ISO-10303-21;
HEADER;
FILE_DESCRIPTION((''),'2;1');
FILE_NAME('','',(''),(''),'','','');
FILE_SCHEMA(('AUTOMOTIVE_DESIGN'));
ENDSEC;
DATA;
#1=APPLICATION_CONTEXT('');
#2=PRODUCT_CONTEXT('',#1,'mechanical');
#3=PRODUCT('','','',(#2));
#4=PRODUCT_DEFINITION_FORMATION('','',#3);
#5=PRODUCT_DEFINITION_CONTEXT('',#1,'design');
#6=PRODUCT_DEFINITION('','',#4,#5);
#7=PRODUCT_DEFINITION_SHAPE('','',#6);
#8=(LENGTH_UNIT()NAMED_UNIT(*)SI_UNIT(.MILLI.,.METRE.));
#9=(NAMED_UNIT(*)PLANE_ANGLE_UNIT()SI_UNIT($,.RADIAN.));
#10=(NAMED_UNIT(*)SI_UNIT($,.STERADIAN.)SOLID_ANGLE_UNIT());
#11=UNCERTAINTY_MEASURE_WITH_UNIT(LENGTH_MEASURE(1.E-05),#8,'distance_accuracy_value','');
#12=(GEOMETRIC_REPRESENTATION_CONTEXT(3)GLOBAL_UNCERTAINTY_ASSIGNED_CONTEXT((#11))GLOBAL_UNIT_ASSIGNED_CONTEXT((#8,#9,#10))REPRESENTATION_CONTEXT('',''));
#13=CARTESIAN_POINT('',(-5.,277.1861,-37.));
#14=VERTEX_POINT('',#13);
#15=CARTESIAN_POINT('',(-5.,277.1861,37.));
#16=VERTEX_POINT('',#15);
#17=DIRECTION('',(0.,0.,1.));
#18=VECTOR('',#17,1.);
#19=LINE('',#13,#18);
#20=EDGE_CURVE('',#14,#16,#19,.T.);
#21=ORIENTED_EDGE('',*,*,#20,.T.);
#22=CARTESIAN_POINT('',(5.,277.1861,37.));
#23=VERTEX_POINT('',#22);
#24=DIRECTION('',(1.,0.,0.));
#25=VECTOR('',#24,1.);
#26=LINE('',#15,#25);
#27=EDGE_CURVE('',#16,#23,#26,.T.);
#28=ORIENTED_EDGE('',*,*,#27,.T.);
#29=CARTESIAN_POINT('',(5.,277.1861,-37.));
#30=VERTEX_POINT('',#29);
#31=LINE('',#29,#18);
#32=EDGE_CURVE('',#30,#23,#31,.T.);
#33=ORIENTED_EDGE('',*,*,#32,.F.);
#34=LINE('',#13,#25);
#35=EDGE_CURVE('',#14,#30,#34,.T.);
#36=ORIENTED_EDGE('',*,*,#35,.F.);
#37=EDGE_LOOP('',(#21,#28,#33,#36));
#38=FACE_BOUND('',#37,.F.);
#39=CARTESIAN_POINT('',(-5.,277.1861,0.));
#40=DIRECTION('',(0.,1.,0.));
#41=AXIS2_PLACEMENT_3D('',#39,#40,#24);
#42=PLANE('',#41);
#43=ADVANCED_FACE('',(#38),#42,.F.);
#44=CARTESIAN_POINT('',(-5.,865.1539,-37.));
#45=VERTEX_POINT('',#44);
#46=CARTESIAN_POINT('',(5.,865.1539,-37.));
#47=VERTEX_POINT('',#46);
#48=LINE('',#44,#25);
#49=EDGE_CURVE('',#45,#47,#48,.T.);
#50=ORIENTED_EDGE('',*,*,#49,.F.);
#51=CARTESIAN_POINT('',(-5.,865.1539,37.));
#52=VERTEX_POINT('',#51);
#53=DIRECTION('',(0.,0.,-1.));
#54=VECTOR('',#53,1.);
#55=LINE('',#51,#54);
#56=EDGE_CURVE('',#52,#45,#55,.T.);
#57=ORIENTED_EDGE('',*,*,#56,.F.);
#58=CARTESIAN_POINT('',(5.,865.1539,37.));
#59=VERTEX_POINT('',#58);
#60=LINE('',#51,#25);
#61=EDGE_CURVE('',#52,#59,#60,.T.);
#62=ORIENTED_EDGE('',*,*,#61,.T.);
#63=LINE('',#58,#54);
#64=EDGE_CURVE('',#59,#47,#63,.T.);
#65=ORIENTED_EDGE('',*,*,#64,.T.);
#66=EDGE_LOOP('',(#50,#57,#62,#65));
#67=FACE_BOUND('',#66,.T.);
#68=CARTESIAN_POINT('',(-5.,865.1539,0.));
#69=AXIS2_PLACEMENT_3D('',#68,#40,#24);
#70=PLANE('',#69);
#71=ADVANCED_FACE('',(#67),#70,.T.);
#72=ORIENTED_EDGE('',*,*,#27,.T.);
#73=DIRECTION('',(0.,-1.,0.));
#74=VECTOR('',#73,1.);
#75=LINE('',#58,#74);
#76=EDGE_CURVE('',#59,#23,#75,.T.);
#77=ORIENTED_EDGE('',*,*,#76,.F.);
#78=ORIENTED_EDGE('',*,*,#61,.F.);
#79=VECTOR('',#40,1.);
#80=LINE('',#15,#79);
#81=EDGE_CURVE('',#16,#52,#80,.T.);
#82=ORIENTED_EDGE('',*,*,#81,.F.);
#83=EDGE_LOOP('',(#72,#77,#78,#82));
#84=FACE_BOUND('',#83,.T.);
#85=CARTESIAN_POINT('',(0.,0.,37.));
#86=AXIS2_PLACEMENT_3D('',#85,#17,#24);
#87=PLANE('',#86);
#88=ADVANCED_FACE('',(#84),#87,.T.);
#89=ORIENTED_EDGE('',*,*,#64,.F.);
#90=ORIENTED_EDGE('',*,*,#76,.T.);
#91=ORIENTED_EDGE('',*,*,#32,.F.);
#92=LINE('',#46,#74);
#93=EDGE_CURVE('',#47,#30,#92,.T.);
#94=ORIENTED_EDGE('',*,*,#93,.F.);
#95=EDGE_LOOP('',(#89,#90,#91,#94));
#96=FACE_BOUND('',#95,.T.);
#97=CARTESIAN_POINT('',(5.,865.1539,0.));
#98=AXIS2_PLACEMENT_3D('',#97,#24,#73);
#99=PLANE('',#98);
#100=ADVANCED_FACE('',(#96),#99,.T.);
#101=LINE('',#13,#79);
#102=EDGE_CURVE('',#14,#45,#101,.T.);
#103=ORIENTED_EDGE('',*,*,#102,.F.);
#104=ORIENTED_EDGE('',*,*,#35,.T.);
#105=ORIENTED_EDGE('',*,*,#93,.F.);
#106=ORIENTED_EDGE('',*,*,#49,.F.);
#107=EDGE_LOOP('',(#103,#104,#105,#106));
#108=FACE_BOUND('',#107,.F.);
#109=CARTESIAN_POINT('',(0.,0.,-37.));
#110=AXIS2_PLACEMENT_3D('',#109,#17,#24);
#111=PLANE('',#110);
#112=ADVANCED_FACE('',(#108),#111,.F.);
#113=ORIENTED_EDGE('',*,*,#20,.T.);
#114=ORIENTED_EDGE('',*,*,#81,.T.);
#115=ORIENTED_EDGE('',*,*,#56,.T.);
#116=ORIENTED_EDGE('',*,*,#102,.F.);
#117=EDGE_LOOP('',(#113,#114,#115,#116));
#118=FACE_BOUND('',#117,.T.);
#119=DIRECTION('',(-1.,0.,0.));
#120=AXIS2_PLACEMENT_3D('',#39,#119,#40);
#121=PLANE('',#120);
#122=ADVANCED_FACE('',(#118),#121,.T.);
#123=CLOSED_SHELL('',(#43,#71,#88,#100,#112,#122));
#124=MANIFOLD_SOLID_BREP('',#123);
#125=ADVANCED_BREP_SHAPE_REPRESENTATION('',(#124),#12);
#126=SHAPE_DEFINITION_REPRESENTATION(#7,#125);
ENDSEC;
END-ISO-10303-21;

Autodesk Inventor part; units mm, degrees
ref_plane "YZ Plane" through (0, 0, 0) normal (1, 0, 0) x (0, 1, 0)
ref_plane "XZ Plane" through (0, 0, 0) normal (0, 1, 0) x (-1, 0, 0)
ref_plane "XY Plane" through (0, 0, 0) normal (0, 0, 1) x (1, 0, 0)
sketch "Sketch1" plane through (0, 0, 0) normal (0, 0, 1) x (1, 0, 0)
  line L0 (0, 273.8452) -> (193.6378, 193.6378) construction
  line L1 (193.6378, 193.6378) -> (273.8452, 0) construction
  line L2 (273.8452, 0) -> (193.6378, -193.6378) construction
  line L3 (193.6378, -193.6378) -> (0, -273.8452) construction
  line L4 (0, -273.8452) -> (-193.6378, -193.6378) construction
  line L5 (-193.6378, -193.6378) -> (-273.8452, 0) construction
  line L6 (-273.8452, 0) -> (-193.6378, 193.6378) construction
  line L7 (-193.6378, 193.6378) -> (0, 273.8452) construction
  line L8 (-193.6378, 193.6378) -> (0, 273.8452) construction
  line L9 (-459.9272, 770.6562) -> (-219.7185, 870.1539) construction
  line L10 (-96.8189, 233.7415) -> (-339.8229, 820.405) construction
  line L11 (-219.7185, 870.1539) -> (0, 870.1539) construction
  line L12 (0, 870.1539) -> (0, 273.8452) construction
  line L13 (-459.9272, 770.6562) -> (-615.2917, 615.2917) construction
  line L14 (-615.2917, 615.2917) -> (-193.6378, 193.6378) construction
  line L15 (-5, 865.1539) -> (-218.724, 865.1539) construction
  line L16 (-218.724, 865.1539) -> (-457.095, 766.4174) construction
  line L17 (-457.095, 766.4174) -> (-608.2206, 615.2917) construction
  line L18 (-608.2206, 615.2917) -> (-192.4647, 199.5357) construction
  line L19 (-192.4647, 199.5357) -> (-5, 277.1861) construction
  line L20 (-5, 277.1861) -> (-5, 865.1539)
  line L21 (-5, 865.1539) -> (-5, 277.1861) construction
  line L22 (5, 865.1539) -> (5, 277.1861)
  line L23 (-5, 277.1861) -> (5, 277.1861)
  line L24 (-5, 865.1539) -> (5, 865.1539)
  point P0 (0, 0)
  point P1 (0, 0)
  point P2 (0, 0)
  dimension "d0" = 506
  dimension "d1" = 260
  dimension "d2" = 635
  dimension "d6" = 5
extrude "Extrusion1" add sketch "Sketch1" along normal mid plane 74
equation "\"d0\" = Барабан_габарит_по_кассетам"
equation "\"d1\" = Кассета_длина_грани"
equation "\"d2\" = Кассета_высота"
equation "\"Барабан_габарит_по_кассетам\" = 506"
equation "\"Кассета_длина_грани\" = 260"
equation "\"Кассета_высота\" = 635"
properties part number "ДМС 208 Фиксатор расстояния кассет"
